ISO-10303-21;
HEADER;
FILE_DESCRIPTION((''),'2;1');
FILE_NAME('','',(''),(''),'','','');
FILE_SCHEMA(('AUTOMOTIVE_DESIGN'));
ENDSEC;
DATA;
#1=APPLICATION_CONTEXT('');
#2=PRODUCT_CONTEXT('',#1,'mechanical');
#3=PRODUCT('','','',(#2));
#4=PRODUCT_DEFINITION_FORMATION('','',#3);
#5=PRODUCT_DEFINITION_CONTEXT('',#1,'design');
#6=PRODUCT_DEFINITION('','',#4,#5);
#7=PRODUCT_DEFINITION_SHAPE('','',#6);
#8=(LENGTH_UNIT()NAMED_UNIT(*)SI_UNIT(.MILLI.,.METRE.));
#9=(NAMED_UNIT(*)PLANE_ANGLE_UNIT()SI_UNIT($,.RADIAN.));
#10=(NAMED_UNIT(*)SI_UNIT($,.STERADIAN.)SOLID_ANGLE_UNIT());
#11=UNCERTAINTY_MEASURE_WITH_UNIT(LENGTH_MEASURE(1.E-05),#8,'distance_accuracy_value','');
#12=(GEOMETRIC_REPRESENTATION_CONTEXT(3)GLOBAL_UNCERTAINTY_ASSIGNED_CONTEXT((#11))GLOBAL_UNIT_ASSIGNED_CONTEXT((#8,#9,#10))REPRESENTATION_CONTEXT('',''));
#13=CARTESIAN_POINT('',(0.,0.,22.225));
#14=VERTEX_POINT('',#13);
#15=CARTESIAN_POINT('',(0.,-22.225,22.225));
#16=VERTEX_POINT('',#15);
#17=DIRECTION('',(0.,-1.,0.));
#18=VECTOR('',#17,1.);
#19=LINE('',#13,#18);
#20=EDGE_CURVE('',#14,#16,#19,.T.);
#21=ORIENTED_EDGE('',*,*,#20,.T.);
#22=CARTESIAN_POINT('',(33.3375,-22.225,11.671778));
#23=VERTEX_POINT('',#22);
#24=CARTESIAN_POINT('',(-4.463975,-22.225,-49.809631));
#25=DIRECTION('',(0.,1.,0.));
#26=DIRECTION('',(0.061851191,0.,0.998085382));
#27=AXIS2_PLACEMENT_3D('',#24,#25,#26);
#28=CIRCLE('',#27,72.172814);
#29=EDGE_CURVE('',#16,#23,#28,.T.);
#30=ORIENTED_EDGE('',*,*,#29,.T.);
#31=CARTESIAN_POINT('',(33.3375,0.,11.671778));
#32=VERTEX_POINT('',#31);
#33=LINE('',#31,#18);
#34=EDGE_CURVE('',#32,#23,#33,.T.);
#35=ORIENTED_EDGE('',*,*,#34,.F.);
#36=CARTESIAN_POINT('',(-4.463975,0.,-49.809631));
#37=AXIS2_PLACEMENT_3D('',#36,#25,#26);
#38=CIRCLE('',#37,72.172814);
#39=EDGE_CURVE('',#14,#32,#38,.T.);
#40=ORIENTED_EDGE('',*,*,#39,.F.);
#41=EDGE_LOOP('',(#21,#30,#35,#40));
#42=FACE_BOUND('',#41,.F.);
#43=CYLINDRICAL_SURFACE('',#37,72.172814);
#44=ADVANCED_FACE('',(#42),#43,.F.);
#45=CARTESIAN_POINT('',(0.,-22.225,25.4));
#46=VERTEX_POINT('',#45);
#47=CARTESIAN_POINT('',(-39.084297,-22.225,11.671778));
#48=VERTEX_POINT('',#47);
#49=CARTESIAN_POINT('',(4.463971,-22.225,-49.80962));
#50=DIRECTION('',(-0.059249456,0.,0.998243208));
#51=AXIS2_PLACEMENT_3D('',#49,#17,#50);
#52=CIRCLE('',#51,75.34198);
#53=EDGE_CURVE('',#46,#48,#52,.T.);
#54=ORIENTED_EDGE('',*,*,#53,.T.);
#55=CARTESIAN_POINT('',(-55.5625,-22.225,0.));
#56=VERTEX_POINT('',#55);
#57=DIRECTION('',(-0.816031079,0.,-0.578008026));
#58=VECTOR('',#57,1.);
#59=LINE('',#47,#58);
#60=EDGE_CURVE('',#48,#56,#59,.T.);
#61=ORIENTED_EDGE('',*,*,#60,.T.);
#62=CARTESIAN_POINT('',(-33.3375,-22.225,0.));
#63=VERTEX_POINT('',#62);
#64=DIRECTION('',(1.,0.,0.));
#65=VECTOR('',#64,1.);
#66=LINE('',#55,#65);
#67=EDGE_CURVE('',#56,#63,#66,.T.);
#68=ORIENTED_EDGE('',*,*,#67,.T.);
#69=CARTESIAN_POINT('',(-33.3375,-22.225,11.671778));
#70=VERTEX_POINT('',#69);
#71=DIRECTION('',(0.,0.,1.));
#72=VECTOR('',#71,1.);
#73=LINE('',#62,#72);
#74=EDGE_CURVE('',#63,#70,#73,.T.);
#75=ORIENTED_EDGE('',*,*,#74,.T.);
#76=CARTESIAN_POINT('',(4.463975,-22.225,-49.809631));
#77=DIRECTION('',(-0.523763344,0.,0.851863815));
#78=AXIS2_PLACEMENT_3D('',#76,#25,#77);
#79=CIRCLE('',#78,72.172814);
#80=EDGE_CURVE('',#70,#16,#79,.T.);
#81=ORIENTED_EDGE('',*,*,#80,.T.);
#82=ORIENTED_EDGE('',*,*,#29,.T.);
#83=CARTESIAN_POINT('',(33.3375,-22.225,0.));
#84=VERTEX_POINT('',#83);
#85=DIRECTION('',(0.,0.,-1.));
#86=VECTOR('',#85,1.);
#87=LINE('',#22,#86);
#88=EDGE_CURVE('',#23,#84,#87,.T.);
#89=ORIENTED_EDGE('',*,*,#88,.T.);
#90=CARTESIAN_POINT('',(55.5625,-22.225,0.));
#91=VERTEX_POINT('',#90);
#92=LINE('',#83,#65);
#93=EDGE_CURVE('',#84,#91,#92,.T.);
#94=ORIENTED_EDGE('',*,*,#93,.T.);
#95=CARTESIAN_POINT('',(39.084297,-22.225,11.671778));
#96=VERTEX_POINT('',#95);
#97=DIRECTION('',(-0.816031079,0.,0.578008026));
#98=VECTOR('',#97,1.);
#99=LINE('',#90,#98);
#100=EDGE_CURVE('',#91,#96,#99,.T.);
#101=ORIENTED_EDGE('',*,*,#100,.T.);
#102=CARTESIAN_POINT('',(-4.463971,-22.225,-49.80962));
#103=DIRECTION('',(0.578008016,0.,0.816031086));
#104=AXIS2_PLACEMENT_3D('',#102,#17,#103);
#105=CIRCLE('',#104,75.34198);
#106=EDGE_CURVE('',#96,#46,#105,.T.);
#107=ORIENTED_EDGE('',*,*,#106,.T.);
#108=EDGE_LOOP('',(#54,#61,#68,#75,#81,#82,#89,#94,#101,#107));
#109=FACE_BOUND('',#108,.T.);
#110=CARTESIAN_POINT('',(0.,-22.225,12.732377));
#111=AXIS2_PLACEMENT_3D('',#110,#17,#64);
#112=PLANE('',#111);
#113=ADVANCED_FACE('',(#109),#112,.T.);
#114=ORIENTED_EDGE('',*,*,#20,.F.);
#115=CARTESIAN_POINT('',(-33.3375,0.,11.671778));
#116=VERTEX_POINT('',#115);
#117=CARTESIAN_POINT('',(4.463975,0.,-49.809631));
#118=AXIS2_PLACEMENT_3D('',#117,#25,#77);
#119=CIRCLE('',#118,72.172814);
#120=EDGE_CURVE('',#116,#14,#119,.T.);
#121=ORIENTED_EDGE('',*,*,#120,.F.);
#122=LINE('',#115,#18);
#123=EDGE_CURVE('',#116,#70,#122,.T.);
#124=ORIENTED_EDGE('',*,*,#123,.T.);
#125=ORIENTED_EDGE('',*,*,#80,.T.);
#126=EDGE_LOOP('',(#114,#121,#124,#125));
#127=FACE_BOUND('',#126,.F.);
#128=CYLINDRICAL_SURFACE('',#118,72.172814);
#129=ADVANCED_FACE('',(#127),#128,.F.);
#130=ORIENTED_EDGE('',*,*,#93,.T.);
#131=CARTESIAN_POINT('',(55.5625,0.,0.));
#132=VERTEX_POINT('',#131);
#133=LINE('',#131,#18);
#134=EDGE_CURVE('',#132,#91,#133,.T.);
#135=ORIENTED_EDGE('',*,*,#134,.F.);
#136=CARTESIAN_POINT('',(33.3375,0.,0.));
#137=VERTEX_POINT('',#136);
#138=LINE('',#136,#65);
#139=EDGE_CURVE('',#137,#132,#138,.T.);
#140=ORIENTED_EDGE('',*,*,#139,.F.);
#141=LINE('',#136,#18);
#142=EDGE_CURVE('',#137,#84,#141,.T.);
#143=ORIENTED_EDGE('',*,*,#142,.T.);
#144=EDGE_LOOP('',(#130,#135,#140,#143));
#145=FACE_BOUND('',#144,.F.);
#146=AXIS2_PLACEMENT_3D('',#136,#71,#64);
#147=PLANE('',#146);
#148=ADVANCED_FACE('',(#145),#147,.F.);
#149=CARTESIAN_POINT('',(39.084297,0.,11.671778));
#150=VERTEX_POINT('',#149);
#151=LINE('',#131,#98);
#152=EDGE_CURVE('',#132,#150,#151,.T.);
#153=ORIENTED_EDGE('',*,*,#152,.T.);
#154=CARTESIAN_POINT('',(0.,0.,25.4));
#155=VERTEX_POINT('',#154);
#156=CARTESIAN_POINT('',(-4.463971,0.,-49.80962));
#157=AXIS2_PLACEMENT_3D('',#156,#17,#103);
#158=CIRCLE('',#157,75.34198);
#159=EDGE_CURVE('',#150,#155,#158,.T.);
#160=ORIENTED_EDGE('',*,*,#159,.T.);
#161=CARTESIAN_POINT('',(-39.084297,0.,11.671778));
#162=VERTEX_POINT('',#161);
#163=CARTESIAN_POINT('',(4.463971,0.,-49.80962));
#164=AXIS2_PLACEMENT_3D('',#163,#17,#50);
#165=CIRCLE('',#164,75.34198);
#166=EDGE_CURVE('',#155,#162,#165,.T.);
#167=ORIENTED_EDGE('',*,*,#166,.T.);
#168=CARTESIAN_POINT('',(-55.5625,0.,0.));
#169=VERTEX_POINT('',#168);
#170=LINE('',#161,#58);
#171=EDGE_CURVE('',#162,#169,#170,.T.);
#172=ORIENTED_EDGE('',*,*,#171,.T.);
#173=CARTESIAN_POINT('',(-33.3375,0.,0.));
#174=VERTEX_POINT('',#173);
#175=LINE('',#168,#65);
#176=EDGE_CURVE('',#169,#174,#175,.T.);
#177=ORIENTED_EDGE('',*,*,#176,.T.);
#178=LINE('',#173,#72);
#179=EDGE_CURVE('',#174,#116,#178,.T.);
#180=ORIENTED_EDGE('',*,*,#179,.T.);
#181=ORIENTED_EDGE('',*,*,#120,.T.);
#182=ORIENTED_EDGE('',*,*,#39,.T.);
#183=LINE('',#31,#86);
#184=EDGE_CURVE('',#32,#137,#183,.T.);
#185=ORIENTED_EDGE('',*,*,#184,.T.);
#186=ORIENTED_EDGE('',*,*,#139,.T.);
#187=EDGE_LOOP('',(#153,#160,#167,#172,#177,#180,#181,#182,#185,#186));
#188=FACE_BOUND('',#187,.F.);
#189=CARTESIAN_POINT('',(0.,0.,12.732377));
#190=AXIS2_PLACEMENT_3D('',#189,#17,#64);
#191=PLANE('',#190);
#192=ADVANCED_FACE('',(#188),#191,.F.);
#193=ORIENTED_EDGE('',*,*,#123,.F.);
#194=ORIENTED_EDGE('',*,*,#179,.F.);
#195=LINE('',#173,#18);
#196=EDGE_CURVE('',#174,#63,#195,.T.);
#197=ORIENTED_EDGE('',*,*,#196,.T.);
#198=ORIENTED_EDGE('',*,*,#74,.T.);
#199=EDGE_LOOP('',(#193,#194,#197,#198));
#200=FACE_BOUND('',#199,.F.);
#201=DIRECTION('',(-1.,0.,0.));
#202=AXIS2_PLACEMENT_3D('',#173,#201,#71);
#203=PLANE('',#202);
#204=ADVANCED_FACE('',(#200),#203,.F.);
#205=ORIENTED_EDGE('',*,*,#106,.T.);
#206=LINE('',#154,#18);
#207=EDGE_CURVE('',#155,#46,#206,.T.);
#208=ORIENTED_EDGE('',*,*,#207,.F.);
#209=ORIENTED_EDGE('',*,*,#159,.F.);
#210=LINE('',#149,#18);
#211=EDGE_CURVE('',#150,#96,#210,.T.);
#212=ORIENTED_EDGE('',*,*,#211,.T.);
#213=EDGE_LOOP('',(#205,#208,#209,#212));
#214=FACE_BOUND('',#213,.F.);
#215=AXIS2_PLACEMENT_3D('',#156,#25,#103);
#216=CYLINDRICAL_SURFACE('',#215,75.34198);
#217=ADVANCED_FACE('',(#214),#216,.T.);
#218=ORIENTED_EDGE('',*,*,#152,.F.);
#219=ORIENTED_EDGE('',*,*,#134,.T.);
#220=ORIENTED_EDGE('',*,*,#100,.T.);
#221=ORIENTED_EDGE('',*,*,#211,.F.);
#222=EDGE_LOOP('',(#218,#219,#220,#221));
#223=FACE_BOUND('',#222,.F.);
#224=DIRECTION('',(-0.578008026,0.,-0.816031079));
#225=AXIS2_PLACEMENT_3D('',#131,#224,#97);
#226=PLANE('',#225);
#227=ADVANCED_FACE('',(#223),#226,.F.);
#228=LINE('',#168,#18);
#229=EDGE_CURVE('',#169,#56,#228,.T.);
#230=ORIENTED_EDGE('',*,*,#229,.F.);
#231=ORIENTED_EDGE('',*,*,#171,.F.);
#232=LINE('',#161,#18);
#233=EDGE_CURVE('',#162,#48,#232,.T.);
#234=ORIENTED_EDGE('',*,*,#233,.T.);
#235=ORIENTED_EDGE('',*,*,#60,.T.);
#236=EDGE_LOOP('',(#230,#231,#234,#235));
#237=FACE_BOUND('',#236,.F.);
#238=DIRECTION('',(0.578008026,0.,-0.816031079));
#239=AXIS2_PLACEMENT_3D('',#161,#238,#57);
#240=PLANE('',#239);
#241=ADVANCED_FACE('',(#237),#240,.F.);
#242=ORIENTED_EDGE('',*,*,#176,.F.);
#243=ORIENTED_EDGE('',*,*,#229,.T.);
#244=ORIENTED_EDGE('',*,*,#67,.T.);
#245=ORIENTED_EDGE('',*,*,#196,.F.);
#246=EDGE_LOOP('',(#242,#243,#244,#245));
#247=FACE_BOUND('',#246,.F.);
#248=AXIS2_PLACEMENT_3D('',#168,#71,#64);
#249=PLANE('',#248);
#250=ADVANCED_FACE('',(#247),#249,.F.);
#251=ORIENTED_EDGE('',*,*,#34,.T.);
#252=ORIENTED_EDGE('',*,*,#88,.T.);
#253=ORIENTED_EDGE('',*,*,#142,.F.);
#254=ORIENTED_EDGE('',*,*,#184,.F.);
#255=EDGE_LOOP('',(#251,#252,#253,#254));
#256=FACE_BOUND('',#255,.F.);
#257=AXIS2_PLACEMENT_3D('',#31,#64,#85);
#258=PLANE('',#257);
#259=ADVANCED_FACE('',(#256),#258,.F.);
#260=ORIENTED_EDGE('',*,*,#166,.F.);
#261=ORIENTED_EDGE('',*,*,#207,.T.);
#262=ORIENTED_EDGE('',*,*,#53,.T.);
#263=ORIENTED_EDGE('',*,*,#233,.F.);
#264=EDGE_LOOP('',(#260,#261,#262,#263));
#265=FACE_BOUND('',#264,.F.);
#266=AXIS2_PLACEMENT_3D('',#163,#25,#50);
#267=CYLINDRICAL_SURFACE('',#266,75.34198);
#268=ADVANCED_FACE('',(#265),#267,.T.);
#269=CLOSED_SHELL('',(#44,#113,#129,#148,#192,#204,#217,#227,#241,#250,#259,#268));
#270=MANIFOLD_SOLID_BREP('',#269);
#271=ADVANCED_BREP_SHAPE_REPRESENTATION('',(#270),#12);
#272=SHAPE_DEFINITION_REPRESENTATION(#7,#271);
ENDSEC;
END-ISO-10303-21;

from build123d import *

# Parameters (mm, degrees)
F1_DEPTH = 22.225


with BuildPart() as f1:
    # F0 (on Front) → F1 (new body)
    with BuildSketch(Plane.XZ):
        with BuildLine():
            Line((-39.084297, 11.671778), (-55.5625, 0))
            Line((-55.5625, 0), (-33.3375, 0))
            Line((-33.3375, 0), (-33.3375, 11.671778))
            ThreePointArc((-33.3375, 11.671778), (-17.317547, 18.99793), (0, 22.225))
            ThreePointArc((0, 22.225), (17.317547, 18.99793), (33.3375, 11.671778))
            Line((33.3375, 11.671778), (33.3375, 0))
            Line((33.3375, 0), (55.5625, 0))
            Line((55.5625, 0), (39.084297, 11.671778))
            ThreePointArc((39.084297, 11.671778), (20.504205, 21.274866), (0, 25.4))
            ThreePointArc((0, 25.4), (-20.504205, 21.274866), (-39.084297, 11.671778))
        make_face()
    extrude(amount=F1_DEPTH)


solid = f1.part
